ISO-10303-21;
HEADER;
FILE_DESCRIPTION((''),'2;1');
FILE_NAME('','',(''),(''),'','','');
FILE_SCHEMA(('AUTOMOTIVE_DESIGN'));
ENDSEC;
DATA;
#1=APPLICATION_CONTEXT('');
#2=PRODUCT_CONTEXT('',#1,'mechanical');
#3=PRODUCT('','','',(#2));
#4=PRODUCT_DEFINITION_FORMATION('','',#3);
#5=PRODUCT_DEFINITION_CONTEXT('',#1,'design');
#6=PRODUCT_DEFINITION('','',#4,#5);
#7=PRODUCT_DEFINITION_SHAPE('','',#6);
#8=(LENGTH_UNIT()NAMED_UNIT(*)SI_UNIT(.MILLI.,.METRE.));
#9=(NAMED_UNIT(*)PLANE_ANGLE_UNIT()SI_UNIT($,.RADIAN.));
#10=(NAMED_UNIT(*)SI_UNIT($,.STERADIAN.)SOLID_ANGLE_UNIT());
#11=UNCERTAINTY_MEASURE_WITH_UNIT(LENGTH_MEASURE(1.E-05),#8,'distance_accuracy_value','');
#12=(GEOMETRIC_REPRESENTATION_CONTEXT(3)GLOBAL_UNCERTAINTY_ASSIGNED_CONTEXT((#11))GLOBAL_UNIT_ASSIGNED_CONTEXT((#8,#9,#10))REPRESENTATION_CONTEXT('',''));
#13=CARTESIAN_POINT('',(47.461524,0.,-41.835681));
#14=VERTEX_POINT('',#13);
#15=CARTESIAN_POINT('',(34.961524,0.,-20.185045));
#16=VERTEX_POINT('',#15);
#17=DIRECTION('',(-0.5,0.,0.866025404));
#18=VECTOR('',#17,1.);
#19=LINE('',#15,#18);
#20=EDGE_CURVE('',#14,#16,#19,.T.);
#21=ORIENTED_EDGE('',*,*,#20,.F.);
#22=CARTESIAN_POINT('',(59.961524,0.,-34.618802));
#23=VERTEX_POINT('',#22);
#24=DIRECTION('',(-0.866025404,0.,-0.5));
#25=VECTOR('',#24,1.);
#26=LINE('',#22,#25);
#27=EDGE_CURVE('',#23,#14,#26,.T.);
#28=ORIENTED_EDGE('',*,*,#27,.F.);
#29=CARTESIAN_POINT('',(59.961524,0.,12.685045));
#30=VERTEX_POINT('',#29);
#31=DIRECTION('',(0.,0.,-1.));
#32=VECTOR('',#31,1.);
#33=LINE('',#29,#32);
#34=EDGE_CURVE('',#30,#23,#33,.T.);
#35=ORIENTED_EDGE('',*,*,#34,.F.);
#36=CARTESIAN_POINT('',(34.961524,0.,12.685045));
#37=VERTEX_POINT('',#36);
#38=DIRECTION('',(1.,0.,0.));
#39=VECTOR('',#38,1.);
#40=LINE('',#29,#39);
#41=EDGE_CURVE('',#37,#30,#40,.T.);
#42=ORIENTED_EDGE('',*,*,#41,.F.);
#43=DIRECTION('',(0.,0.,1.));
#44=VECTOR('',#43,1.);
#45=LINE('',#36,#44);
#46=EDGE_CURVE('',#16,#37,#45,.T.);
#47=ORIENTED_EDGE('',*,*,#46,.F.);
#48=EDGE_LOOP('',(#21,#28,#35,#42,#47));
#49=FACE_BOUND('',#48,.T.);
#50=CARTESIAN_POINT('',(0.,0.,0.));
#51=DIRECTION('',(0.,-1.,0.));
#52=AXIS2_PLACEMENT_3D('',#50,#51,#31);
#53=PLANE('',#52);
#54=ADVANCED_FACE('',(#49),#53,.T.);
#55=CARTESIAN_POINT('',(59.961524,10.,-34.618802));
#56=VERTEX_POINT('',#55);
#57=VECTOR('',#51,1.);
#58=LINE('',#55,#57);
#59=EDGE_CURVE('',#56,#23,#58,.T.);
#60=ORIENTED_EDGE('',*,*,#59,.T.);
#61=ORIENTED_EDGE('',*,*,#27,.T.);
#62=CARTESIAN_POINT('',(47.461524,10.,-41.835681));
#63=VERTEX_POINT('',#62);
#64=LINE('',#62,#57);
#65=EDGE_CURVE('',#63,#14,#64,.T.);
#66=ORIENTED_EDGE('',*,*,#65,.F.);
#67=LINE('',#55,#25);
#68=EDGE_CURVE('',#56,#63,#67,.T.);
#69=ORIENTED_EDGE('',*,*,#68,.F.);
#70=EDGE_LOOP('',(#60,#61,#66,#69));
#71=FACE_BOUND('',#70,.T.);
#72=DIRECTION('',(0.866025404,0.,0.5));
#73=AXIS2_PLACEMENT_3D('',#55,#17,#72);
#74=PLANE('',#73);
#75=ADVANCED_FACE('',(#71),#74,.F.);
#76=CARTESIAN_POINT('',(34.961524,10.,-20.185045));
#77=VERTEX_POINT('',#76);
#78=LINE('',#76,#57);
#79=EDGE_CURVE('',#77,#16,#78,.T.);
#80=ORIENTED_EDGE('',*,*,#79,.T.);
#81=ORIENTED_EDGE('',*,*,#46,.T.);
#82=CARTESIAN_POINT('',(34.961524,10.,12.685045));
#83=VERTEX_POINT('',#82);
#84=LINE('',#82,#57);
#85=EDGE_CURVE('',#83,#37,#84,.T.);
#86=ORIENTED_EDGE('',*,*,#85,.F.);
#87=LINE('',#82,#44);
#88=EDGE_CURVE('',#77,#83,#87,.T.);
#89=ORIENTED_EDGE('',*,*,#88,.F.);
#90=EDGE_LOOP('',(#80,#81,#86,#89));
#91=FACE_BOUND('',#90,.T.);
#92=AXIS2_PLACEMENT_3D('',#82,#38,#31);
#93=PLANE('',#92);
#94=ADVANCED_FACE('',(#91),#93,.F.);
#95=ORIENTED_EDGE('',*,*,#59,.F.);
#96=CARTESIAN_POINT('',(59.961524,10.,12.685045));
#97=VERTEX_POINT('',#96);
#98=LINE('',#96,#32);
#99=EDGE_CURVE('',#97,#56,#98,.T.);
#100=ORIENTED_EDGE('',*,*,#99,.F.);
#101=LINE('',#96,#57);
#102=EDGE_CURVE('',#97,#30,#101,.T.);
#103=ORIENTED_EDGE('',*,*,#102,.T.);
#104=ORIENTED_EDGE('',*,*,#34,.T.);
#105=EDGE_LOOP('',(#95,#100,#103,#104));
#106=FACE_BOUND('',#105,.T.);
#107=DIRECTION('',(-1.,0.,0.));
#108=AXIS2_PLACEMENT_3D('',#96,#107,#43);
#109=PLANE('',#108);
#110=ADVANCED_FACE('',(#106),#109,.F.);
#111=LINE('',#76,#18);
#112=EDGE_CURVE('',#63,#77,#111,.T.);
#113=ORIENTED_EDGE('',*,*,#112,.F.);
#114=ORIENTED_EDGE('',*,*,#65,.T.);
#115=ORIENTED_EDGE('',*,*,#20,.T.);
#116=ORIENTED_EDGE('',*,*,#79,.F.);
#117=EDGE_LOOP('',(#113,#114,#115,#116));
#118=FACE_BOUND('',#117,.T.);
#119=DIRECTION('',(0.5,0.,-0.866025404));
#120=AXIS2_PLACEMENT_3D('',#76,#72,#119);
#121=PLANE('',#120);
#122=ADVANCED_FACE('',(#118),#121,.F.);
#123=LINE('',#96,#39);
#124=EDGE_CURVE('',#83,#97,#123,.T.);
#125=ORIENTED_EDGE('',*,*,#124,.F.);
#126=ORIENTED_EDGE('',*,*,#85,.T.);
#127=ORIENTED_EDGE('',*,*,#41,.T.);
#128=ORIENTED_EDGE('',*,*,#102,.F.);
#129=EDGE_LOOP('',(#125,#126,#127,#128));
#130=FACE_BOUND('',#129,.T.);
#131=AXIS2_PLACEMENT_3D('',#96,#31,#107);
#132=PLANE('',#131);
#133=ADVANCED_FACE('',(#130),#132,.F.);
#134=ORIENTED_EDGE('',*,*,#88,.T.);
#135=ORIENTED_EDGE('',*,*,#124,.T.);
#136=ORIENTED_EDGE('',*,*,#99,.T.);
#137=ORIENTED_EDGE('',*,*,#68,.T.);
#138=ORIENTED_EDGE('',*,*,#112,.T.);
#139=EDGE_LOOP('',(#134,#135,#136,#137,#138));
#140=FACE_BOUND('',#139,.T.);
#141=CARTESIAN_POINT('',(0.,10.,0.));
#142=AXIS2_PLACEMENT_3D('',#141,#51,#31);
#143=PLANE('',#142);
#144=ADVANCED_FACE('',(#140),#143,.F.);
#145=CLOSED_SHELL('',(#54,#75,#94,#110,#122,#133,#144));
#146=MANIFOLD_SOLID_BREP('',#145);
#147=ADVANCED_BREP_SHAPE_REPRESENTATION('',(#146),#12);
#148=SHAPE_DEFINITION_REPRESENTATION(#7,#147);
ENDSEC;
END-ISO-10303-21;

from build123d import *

# Parameters (mm, degrees)
BOSS_EXTRUDE1_DEPTH = 10


with BuildPart() as part:
    # Sketch1 → Boss-Extrude1 (new body)
    with BuildSketch(Plane(origin=(0, 0, 0), x_dir=(1, 0, 0), z_dir=(0, 1, 0))):
        Polygon((59.961524227, -12.685045424), (59.961524227, 34.618802154), (47.461524227, 41.835680518), (34.961524227, 20.185045424), (34.961524227, -12.685045424), align=None)
    extrude(amount=BOSS_EXTRUDE1_DEPTH)


solid = part.part
